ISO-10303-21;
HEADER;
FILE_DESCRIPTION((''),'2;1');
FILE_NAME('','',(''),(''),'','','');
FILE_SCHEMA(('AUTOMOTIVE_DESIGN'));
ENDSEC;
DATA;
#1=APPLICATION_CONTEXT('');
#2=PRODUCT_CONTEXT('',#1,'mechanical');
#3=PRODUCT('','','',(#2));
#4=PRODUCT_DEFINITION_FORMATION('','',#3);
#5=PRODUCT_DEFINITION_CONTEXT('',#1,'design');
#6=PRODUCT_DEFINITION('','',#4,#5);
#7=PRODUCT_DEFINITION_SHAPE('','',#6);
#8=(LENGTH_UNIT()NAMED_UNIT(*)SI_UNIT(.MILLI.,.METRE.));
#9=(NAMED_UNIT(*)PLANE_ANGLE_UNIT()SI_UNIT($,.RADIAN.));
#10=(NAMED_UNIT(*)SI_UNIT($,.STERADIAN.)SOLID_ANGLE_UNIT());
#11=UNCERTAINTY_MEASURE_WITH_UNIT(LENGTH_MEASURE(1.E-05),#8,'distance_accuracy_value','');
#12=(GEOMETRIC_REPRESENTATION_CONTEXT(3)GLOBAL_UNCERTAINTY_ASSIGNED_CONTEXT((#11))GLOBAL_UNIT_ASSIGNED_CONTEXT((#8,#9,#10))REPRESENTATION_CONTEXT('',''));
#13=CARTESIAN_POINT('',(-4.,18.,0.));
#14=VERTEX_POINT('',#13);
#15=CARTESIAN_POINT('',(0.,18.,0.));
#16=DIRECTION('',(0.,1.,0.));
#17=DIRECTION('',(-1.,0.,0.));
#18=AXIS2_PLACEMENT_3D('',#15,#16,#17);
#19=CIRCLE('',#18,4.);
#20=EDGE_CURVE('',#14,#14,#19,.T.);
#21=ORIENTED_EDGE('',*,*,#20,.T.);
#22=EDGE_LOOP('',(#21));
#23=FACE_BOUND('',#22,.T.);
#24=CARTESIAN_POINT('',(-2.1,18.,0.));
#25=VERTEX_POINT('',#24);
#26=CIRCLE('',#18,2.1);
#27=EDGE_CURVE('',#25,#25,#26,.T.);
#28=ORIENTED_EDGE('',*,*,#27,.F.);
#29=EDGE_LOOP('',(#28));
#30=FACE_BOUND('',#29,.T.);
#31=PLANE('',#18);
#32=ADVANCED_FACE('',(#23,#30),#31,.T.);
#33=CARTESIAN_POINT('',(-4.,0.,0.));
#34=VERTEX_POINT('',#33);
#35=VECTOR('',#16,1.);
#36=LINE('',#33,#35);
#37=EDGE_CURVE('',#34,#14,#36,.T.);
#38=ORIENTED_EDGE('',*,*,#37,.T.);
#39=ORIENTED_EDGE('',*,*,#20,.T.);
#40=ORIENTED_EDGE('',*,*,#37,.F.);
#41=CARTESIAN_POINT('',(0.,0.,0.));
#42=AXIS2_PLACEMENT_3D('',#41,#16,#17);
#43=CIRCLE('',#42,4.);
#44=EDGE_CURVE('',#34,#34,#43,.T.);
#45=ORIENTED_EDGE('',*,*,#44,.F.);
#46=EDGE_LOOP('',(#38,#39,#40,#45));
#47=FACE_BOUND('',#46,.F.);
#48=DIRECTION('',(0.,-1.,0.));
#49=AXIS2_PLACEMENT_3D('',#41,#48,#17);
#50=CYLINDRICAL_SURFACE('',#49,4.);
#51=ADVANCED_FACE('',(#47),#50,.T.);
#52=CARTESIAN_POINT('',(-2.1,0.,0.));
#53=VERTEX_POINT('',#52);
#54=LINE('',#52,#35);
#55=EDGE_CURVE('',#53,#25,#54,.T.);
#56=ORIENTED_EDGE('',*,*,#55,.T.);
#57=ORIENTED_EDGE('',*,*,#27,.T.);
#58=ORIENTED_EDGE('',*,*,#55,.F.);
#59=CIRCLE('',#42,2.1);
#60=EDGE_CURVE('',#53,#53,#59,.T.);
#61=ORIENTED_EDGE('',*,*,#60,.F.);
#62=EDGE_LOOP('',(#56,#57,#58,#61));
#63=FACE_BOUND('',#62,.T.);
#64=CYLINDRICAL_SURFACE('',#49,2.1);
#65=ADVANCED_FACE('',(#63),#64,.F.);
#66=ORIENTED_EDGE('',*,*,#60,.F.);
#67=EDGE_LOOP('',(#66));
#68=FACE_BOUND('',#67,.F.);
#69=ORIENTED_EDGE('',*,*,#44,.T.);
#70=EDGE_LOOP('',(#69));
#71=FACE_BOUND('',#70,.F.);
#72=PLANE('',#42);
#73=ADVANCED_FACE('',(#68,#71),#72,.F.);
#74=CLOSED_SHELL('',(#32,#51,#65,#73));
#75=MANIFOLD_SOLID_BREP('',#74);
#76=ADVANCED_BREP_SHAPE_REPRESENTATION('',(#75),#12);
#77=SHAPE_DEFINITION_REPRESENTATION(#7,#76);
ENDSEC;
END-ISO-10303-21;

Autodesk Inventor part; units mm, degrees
ref_plane "YZ Plane" through (0, 0, 0) normal (1, 0, 0) x (0, 1, 0)
ref_plane "XZ Plane" through (0, 0, 0) normal (0, 1, 0) x (-1, 0, 0)
ref_plane "XY Plane" through (0, 0, 0) normal (0, 0, 1) x (1, 0, 0)
sketch "Sketch1" plane through (0, 0, 0) normal (0, 1, 0) x (-1, 0, 0)
  circle A0 centre (0, 0) radius 2.1
  circle A1 centre (0, 0) radius 4
  dimension "d0" = 4.2
  dimension "d1" = 8
extrude "Extrusion1" add sketch "Sketch1" along normal blind 18
properties part number "small_pillar2"
